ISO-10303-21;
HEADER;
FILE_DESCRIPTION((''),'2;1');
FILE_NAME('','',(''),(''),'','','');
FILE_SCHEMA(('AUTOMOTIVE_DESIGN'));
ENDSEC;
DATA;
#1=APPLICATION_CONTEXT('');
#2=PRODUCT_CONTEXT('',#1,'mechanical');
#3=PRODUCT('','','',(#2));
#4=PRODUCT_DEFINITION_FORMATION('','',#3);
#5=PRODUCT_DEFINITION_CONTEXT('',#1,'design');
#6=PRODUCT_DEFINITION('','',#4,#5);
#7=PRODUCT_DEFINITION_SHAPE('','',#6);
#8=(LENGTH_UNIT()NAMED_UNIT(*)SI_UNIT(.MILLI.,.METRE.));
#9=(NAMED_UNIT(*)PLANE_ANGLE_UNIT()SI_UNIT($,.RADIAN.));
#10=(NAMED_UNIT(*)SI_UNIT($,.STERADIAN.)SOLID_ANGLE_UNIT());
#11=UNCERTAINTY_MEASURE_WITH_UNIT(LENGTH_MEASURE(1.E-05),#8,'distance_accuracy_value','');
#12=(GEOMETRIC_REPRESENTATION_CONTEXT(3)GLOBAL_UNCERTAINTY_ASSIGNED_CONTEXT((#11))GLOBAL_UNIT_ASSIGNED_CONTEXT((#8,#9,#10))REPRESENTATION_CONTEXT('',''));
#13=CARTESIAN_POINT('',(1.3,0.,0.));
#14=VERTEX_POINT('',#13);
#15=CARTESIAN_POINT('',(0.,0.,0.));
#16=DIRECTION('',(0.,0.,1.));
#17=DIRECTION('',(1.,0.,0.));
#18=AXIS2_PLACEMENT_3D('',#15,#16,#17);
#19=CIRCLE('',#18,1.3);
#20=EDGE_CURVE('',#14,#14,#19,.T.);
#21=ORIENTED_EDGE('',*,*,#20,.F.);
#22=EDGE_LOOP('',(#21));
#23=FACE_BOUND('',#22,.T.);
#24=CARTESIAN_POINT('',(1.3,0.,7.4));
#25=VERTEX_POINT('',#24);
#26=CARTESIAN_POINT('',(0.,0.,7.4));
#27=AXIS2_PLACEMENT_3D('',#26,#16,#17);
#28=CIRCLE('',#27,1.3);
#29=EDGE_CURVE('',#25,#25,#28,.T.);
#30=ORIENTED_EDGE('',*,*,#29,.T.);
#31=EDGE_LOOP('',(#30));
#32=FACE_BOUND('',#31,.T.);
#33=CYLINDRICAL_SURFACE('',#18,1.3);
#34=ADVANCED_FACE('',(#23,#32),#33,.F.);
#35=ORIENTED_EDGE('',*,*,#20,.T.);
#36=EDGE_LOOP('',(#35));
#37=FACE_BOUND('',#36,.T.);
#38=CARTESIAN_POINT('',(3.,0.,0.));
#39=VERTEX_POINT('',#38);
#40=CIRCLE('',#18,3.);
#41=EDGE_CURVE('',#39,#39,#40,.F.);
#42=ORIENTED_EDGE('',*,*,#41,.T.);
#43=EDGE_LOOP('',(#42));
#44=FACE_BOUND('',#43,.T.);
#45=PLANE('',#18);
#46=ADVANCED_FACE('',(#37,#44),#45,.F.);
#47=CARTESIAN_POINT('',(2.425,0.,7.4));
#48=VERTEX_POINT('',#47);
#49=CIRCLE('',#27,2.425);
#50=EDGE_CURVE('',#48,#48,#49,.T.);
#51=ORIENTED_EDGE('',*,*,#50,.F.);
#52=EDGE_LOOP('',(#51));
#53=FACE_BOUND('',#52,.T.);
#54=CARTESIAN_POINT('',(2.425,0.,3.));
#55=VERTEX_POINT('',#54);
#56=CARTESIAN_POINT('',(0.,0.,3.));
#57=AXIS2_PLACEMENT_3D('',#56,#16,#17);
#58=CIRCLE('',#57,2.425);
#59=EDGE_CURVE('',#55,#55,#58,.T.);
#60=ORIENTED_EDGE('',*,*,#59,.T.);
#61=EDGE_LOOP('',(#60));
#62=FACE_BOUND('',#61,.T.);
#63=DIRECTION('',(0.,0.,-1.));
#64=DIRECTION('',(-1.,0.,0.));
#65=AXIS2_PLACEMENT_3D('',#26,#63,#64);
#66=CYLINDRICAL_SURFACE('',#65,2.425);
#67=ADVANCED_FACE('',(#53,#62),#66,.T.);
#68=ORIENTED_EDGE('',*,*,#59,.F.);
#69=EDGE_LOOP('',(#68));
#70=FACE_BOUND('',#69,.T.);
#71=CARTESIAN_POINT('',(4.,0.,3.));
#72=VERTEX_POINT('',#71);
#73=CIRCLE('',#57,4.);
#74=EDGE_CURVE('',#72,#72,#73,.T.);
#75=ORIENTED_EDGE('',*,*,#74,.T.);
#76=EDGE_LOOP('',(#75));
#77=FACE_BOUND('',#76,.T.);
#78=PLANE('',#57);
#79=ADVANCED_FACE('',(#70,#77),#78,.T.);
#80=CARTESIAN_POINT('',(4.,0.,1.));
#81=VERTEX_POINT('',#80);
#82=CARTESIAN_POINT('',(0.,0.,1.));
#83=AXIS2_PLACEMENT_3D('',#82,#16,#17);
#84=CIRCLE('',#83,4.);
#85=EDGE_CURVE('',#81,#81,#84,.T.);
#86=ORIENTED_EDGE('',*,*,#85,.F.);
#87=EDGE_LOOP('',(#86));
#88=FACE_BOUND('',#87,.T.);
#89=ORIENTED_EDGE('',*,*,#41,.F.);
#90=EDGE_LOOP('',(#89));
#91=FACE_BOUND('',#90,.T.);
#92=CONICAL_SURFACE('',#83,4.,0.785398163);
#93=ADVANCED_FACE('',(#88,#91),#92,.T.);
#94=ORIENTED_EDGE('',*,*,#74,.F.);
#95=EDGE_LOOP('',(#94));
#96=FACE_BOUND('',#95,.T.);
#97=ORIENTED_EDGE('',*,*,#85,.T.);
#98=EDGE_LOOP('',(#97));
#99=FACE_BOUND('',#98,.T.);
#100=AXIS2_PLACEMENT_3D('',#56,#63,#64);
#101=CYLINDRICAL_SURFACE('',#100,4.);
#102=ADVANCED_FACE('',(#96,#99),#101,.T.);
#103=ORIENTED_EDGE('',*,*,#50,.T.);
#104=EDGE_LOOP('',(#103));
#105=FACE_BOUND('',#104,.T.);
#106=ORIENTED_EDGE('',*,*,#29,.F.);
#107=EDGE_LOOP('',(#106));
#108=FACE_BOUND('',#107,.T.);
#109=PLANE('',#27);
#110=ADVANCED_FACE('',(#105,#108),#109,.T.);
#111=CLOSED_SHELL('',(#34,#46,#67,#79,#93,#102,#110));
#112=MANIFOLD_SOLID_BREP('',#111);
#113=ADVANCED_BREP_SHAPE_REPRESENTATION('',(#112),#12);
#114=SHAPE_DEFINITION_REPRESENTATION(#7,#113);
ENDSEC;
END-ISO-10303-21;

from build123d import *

# Parameters (mm, degrees)
SKETCH1_R           = 4
BOSS_EXTRUDE1_DEPTH = 3
SKETCH2_R           = 2.425
BOSS_EXTRUDE2_DEPTH = 4.4
SKETCH3_R           = 1.3
CUT_EXTRUDE1_DEPTH  = 10.314504818
CHAMFER1_SIZE       = 1


with BuildPart() as part:
    # Sketch1 → Boss-Extrude1 (new body)
    with BuildSketch(Plane.XY):
        Circle(SKETCH1_R)
    extrude(amount=BOSS_EXTRUDE1_DEPTH)

    # Sketch2 → Boss-Extrude2 (add)
    with BuildSketch(Plane.XY.offset(3)):
        Circle(SKETCH2_R)
    extrude(amount=BOSS_EXTRUDE2_DEPTH)

    # Sketch3 → Cut-Extrude1 (cut, through all)
    with BuildSketch(Plane.XY.offset(7.4)):
        Circle(SKETCH3_R)
    extrude(amount=-CUT_EXTRUDE1_DEPTH, mode=Mode.SUBTRACT)

    # Chamfer1
    chamfer1_edges = [part.edges().sort_by_distance(p)[0] for p in [
        (-4, 0, 0),
    ]]
    chamfer(chamfer1_edges, length=CHAMFER1_SIZE)


solid = part.part
